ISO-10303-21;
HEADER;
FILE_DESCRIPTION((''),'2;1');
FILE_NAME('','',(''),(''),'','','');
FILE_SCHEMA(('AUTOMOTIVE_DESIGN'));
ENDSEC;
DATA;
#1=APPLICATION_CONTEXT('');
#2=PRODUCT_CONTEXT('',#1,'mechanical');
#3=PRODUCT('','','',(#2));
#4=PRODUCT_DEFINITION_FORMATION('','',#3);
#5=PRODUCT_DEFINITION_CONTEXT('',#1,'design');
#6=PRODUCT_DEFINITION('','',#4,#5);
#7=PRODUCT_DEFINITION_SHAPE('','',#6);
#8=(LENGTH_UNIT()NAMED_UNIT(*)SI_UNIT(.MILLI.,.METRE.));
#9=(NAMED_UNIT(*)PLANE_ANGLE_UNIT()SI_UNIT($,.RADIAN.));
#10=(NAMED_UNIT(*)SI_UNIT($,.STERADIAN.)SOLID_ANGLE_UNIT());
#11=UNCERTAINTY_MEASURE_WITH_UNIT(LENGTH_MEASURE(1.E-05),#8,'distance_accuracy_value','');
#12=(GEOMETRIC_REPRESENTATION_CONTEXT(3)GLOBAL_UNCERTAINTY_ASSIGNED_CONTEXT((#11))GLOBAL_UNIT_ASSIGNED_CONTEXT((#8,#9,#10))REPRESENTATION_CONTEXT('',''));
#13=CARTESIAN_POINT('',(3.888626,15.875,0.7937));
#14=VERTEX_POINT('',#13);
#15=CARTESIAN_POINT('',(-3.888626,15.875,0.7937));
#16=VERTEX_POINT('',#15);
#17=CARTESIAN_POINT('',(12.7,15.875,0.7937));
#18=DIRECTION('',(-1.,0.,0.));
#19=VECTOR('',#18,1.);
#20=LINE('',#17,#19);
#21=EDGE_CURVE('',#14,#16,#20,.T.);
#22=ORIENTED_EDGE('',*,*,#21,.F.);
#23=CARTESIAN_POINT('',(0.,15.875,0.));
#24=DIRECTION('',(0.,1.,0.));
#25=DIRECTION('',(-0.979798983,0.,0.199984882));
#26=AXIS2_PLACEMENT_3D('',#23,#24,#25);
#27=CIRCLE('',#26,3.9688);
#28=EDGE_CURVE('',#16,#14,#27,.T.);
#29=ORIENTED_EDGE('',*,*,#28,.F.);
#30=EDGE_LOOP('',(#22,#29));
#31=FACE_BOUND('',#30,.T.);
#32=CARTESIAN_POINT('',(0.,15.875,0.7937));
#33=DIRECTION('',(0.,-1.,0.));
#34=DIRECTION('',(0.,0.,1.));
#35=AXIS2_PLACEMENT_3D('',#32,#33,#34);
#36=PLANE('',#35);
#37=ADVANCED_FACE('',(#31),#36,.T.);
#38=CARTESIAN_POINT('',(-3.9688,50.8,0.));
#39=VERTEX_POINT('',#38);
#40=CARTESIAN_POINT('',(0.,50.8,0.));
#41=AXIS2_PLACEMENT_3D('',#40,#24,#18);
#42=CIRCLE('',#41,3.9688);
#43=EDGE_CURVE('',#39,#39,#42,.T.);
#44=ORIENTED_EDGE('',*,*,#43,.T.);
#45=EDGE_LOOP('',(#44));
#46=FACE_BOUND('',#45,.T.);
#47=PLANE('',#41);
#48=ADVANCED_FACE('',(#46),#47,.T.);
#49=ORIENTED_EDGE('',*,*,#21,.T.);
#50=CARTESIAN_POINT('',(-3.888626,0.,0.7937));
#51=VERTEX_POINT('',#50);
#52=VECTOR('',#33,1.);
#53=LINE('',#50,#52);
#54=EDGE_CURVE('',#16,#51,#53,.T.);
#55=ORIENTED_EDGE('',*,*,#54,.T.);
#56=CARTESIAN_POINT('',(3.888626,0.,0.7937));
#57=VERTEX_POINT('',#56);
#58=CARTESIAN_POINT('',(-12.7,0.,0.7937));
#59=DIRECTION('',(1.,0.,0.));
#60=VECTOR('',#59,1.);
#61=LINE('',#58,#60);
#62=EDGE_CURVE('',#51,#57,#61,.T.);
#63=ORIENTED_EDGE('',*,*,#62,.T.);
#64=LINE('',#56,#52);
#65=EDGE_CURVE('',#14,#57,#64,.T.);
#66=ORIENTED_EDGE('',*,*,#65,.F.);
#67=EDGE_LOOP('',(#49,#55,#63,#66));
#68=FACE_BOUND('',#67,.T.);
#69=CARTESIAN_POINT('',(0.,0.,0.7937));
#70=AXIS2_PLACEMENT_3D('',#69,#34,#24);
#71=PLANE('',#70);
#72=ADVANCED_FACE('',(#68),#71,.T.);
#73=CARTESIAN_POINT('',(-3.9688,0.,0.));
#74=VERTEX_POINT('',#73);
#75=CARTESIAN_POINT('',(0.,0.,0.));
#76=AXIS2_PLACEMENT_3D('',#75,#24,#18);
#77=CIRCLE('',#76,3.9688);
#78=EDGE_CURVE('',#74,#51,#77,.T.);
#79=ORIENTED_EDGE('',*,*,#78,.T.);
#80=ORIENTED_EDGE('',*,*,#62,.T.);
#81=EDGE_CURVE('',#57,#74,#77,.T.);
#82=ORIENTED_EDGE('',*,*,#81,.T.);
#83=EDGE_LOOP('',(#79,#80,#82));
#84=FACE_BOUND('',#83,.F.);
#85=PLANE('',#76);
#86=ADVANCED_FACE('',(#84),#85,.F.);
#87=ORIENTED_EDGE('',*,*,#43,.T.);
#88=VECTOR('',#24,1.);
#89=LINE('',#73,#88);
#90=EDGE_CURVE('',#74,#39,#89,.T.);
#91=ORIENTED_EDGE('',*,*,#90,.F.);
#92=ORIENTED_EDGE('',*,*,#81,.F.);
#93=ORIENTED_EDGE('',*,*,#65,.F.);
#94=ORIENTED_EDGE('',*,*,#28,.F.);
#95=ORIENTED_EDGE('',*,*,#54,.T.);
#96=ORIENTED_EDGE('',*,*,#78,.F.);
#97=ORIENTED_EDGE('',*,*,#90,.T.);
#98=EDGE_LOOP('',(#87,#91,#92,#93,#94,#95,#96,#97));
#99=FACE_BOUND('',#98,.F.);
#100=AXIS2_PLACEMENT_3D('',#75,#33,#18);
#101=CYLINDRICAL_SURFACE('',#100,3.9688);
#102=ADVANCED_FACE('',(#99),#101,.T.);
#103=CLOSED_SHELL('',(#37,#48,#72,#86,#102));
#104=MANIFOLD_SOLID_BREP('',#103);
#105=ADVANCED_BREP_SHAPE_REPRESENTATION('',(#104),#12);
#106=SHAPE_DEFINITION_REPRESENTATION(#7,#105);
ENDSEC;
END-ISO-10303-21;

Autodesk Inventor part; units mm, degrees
ref_plane "YZ Plane" through (0, 0, 0) normal (1, 0, 0) x (0, 1, 0)
ref_plane "XZ Plane" through (0, 0, 0) normal (0, 1, 0) x (-1, 0, 0)
ref_plane "XY Plane" through (0, 0, 0) normal (0, 0, 1) x (1, 0, 0)
sketch "Sketch1" plane through (0, 0, 0) normal (0, 1, 0) x (-1, 0, 0)
  circle A0 centre (0, 0) radius 3.9688
  dimension "d0" = 7.9375
extrude "Extrusion1" add sketch "Sketch1" along normal blind 50.8
sketch "Sketch2" plane through (0, 0, 0) normal (1, 0, 0) x (0, 1, 0)
  line L0 (0, 3.9688) -> (0, -3.9688) projected
  line L1 (0, 3.9688) -> (50.8, 3.9688) projected
  line L2 (0, 0.7937) -> (15.875, 0.7937)
  line L3 (15.875, 0.7937) -> (15.875, 3.9688)
  line L4 (15.875, 3.9688) -> (0, 3.9688)
  line L5 (0, 3.9688) -> (0, 0.7937)
  point P0 (0, 0)
  dimension "d3" = 15.875
  dimension "d4" = 3.175
extrude "Extrusion2" cut sketch "Sketch2" along normal mid plane 25.4
properties part number "8mm Shaft"
